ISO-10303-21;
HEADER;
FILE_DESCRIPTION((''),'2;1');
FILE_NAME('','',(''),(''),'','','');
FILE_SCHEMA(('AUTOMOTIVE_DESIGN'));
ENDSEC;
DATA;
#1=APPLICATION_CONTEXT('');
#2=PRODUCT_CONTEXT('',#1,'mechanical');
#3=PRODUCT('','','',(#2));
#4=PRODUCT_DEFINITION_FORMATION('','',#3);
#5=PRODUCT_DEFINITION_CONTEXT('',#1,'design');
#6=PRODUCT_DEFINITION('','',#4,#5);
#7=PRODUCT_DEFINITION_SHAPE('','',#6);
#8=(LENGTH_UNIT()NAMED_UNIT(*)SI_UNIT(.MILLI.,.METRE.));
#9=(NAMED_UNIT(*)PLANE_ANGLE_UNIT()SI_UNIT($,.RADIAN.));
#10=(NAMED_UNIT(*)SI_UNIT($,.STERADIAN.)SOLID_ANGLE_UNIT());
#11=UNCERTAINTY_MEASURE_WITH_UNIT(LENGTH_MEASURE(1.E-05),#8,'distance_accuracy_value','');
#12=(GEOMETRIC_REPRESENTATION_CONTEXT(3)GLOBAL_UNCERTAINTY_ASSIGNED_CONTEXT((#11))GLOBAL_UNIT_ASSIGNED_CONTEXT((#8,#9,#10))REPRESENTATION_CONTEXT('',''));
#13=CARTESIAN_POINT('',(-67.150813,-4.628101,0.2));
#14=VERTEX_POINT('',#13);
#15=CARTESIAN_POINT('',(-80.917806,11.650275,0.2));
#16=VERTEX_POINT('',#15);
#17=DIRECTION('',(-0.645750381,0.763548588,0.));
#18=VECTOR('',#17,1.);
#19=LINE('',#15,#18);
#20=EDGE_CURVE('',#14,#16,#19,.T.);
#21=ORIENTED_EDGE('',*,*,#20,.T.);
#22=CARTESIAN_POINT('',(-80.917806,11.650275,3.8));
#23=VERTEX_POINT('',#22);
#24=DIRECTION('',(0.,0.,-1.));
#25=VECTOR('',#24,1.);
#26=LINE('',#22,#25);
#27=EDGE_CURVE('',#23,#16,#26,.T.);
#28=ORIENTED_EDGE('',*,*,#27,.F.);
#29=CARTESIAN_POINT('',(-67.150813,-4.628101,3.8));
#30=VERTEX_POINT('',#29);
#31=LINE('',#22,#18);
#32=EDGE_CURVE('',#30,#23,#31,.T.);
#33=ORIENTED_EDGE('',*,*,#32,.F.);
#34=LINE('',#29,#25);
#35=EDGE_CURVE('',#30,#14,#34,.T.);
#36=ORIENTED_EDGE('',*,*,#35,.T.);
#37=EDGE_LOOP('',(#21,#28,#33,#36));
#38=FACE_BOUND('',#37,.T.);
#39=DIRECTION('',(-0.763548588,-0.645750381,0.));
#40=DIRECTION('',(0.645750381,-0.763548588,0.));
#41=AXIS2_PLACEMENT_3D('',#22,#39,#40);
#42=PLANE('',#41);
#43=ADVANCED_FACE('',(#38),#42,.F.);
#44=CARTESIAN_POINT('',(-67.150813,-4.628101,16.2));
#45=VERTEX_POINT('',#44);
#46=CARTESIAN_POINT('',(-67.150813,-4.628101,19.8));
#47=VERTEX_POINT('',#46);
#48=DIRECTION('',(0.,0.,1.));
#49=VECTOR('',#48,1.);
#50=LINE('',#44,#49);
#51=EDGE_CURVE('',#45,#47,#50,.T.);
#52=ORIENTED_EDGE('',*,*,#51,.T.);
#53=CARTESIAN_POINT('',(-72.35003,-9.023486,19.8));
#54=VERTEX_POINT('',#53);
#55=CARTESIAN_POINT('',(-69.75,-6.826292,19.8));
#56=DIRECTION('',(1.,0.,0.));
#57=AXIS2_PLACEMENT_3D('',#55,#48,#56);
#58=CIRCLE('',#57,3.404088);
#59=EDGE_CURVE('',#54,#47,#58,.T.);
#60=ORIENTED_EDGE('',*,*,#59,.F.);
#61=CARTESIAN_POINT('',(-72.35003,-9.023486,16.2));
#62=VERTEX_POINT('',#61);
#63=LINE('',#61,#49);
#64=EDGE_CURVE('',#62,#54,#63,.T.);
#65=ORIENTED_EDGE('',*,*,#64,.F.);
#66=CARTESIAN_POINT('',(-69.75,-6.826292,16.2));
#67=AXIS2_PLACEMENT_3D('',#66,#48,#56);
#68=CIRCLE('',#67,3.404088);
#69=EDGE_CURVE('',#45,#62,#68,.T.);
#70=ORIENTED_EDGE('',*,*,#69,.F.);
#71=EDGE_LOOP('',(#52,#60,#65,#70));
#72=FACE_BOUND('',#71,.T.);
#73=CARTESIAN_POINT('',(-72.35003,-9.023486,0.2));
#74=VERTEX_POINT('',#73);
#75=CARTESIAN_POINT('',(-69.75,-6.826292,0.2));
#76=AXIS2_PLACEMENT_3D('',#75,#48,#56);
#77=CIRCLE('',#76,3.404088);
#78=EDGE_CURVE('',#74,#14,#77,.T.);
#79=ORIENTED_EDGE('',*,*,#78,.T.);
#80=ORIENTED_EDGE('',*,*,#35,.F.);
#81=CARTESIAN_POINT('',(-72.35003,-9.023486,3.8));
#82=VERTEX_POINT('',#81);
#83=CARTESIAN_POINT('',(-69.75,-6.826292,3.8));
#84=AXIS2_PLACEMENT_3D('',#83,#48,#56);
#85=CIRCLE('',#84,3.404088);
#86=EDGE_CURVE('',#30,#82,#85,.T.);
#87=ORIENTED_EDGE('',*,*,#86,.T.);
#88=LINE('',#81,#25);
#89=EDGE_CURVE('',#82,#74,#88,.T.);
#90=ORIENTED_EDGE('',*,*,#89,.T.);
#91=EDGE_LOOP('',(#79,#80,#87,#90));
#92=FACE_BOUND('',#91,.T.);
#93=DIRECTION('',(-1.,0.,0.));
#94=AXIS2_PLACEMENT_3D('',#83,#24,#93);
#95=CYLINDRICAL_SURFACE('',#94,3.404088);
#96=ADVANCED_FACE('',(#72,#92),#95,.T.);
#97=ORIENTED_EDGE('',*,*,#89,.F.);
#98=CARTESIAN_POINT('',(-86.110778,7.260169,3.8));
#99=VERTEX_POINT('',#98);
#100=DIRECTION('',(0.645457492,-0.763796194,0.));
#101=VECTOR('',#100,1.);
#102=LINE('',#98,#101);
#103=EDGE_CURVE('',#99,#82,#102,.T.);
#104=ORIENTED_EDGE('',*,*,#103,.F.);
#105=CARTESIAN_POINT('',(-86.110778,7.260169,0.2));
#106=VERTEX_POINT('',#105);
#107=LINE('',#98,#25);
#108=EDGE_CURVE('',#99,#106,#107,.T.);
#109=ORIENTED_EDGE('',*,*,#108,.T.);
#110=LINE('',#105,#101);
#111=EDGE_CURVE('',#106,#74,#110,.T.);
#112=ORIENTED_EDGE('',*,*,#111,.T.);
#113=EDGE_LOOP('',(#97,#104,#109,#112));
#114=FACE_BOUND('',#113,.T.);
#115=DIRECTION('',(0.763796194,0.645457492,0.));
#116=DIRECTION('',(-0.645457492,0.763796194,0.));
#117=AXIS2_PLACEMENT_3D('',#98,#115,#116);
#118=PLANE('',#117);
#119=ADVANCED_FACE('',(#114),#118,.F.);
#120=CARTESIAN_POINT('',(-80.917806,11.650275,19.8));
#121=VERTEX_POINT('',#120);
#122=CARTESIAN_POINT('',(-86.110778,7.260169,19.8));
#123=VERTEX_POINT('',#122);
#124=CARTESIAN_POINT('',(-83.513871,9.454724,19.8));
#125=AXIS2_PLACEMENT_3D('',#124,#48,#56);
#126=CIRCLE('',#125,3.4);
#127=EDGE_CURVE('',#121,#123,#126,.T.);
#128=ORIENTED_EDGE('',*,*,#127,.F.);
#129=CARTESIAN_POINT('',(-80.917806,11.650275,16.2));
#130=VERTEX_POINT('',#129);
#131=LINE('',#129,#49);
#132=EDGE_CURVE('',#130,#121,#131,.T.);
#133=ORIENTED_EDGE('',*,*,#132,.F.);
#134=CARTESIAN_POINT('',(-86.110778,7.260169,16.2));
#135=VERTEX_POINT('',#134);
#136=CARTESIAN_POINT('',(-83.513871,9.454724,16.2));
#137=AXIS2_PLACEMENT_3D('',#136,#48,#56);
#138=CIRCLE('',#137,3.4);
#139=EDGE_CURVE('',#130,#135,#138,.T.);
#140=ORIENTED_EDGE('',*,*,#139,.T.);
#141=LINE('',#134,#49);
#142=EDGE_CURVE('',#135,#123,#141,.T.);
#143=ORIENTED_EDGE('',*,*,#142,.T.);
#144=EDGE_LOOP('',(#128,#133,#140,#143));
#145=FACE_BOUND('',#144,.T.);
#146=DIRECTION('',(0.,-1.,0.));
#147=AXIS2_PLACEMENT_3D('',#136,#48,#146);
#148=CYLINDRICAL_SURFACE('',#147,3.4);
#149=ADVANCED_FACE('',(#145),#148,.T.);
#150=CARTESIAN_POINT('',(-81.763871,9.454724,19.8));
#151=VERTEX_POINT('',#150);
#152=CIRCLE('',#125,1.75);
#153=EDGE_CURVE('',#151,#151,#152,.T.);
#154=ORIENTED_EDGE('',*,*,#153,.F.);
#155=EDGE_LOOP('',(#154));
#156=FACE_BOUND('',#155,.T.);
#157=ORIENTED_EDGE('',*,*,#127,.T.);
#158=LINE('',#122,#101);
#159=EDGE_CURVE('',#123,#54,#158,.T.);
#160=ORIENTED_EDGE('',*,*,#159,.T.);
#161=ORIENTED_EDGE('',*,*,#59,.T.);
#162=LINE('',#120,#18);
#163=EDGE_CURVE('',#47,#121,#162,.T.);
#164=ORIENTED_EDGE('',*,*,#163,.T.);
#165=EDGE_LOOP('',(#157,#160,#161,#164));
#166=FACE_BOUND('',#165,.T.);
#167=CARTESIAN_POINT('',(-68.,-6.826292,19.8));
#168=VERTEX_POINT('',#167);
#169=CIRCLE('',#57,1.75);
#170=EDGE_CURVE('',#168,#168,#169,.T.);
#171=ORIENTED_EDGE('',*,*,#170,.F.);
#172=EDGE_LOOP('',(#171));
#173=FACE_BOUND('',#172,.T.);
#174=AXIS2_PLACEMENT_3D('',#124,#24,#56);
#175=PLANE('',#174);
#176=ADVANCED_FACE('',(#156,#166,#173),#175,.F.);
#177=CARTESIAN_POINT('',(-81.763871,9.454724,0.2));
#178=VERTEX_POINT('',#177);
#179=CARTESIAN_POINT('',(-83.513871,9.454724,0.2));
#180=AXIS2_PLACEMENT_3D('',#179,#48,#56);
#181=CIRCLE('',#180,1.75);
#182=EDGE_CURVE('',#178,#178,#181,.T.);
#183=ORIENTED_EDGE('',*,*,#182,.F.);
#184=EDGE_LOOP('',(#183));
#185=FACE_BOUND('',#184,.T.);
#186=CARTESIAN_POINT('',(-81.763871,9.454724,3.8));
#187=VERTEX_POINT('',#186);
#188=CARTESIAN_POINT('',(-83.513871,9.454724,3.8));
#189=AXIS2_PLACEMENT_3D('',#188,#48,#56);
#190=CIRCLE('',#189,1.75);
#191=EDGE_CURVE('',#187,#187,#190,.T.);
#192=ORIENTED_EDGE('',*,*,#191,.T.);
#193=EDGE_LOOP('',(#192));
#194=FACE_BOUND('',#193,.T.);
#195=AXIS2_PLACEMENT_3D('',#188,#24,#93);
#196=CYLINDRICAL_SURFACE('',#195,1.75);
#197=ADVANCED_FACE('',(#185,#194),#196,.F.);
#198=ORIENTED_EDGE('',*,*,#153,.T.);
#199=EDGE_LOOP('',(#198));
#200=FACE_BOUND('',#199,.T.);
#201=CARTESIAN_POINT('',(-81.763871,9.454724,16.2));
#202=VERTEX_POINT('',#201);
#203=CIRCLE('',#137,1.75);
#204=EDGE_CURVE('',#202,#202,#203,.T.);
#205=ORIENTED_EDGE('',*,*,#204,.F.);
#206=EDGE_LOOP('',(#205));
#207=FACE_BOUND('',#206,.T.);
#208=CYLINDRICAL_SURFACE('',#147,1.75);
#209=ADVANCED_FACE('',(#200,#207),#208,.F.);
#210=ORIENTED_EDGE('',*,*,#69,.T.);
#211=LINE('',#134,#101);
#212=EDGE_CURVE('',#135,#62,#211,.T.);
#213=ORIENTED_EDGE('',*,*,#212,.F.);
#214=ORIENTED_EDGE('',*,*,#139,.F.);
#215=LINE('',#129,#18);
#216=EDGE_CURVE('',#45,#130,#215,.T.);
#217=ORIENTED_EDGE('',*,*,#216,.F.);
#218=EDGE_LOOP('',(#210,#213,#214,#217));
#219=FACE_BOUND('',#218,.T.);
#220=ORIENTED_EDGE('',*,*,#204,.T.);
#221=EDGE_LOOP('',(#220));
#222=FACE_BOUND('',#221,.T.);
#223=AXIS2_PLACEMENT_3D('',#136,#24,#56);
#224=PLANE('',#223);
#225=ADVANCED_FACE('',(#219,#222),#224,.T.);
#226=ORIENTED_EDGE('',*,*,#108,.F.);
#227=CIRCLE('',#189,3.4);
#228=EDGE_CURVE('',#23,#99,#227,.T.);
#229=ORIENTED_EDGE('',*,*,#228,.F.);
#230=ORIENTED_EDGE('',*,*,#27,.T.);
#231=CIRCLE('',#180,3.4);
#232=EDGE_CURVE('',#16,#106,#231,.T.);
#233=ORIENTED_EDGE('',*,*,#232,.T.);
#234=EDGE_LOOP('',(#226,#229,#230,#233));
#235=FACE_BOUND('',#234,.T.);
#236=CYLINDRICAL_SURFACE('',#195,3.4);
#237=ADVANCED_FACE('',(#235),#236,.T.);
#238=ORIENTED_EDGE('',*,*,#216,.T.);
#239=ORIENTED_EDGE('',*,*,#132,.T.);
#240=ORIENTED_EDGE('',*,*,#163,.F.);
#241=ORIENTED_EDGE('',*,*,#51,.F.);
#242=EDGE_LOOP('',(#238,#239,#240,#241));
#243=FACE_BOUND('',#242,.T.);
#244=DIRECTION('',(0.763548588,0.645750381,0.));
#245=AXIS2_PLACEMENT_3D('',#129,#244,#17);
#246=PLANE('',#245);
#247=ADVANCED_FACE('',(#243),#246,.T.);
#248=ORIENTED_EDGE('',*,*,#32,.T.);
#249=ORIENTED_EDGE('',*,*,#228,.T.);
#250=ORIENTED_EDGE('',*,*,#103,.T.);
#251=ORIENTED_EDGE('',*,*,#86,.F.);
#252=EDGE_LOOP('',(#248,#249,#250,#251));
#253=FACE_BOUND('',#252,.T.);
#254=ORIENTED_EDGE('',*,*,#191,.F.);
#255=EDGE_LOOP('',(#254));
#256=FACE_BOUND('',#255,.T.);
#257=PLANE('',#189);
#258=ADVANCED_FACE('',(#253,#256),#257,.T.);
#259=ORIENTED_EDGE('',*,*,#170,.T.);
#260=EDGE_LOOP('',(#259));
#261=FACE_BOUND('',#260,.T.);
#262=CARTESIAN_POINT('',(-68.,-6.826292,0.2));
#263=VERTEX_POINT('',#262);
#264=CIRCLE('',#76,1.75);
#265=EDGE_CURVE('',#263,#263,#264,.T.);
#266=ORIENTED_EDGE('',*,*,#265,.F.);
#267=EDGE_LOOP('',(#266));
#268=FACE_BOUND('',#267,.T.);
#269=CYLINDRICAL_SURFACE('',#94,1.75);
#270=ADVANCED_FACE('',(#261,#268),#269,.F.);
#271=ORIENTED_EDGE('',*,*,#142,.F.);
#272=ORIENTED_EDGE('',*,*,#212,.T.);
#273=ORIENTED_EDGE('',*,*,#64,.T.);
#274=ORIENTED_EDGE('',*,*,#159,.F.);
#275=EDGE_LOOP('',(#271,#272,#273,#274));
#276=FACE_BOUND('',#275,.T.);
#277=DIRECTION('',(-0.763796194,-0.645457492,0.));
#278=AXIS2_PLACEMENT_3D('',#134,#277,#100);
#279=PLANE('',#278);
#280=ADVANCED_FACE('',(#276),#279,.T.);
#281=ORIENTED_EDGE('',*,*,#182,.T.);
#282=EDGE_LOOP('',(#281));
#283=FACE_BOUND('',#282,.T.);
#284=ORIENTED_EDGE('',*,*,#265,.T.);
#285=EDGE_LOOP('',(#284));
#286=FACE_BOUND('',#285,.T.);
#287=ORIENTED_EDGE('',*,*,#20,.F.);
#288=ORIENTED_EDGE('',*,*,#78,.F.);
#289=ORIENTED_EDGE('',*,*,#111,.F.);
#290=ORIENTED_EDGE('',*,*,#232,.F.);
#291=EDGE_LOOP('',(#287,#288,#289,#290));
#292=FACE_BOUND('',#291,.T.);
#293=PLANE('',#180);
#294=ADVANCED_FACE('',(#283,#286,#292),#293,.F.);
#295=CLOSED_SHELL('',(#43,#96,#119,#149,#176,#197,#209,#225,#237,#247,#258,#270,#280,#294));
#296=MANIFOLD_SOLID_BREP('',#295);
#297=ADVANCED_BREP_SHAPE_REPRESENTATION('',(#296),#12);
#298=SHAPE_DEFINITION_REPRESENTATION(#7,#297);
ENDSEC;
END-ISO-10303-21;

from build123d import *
from build123d.topology import SkipClean

# Parameters (mm, degrees)
SALIENTE_EXTRUIR1_START = 0.2
CROQUIS1_R              = 1.75
SALIENTE_EXTRUIR1_DEPTH = 3.6
CROQUIS2_R              = 3.40408827
CROQUIS2_R_2            = 1.75
SALIENTE_EXTRUIR2_DEPTH = 6.2


with BuildPart() as part:
    # Croquis1 → Saliente-Extruir1 (new body)
    with BuildSketch(Plane.XY.offset(SALIENTE_EXTRUIR1_START)):
        with BuildLine():
            Line((-80.917805582, 11.650275301), (-67.150813208, -4.628100839))
            ThreePointArc((-67.150813208, -4.628100839), (-67.552307173, -9.425900411), (-72.350029665, -9.023486412))
            Line((-72.350029665, -9.023486412), (-86.110777841, 7.260168535))
            ThreePointArc((-86.110777841, 7.260168535), (-85.708924205, 12.051210184), (-80.917805582, 11.650275301))
        make_face()
        with Locations((-69.75, -6.826292135)):
            Circle(CROQUIS1_R, mode=Mode.SUBTRACT)
        with Locations((-83.513870781, 9.454724007)):
            Circle(CROQUIS1_R, mode=Mode.SUBTRACT)
    saliente_extruir1 = extrude(amount=SALIENTE_EXTRUIR1_DEPTH)

    # Croquis2 → Saliente-Extruir2 (add)
    with SkipClean():  # the faces are left unmerged after this step: merging them gives an invalid solid
        with BuildSketch(Plane.XY.offset(3.8)):
            with Locations(Location((-69.75, -6.826292135, 0), (0, 0, 220.199985321))):
                Circle(CROQUIS2_R)
            with Locations(Location((-69.75, -6.826292135, 0), (0, 0, 90))):
                Circle(CROQUIS2_R_2, mode=Mode.SUBTRACT)
        saliente_extruir2 = extrude(amount=SALIENTE_EXTRUIR2_DEPTH)

    # Simetría1: Saliente-Extruir2 across plane
    with SkipClean():  # the faces are left unmerged after this step: merging them gives an invalid solid
        add(saliente_extruir2.mirror(Plane(origin=(0, 0, 10), x_dir=(1, 0, 0), z_dir=(0, 0, -1))))

    # Simetría4: Saliente-Extruir1 across plane
    with SkipClean():  # the faces are left unmerged after this step: merging them gives an invalid solid
        add(saliente_extruir1.mirror(Plane(origin=(0, 0, 10), x_dir=(1, 0, 0), z_dir=(0, 0, -1))))


solid = part.part
